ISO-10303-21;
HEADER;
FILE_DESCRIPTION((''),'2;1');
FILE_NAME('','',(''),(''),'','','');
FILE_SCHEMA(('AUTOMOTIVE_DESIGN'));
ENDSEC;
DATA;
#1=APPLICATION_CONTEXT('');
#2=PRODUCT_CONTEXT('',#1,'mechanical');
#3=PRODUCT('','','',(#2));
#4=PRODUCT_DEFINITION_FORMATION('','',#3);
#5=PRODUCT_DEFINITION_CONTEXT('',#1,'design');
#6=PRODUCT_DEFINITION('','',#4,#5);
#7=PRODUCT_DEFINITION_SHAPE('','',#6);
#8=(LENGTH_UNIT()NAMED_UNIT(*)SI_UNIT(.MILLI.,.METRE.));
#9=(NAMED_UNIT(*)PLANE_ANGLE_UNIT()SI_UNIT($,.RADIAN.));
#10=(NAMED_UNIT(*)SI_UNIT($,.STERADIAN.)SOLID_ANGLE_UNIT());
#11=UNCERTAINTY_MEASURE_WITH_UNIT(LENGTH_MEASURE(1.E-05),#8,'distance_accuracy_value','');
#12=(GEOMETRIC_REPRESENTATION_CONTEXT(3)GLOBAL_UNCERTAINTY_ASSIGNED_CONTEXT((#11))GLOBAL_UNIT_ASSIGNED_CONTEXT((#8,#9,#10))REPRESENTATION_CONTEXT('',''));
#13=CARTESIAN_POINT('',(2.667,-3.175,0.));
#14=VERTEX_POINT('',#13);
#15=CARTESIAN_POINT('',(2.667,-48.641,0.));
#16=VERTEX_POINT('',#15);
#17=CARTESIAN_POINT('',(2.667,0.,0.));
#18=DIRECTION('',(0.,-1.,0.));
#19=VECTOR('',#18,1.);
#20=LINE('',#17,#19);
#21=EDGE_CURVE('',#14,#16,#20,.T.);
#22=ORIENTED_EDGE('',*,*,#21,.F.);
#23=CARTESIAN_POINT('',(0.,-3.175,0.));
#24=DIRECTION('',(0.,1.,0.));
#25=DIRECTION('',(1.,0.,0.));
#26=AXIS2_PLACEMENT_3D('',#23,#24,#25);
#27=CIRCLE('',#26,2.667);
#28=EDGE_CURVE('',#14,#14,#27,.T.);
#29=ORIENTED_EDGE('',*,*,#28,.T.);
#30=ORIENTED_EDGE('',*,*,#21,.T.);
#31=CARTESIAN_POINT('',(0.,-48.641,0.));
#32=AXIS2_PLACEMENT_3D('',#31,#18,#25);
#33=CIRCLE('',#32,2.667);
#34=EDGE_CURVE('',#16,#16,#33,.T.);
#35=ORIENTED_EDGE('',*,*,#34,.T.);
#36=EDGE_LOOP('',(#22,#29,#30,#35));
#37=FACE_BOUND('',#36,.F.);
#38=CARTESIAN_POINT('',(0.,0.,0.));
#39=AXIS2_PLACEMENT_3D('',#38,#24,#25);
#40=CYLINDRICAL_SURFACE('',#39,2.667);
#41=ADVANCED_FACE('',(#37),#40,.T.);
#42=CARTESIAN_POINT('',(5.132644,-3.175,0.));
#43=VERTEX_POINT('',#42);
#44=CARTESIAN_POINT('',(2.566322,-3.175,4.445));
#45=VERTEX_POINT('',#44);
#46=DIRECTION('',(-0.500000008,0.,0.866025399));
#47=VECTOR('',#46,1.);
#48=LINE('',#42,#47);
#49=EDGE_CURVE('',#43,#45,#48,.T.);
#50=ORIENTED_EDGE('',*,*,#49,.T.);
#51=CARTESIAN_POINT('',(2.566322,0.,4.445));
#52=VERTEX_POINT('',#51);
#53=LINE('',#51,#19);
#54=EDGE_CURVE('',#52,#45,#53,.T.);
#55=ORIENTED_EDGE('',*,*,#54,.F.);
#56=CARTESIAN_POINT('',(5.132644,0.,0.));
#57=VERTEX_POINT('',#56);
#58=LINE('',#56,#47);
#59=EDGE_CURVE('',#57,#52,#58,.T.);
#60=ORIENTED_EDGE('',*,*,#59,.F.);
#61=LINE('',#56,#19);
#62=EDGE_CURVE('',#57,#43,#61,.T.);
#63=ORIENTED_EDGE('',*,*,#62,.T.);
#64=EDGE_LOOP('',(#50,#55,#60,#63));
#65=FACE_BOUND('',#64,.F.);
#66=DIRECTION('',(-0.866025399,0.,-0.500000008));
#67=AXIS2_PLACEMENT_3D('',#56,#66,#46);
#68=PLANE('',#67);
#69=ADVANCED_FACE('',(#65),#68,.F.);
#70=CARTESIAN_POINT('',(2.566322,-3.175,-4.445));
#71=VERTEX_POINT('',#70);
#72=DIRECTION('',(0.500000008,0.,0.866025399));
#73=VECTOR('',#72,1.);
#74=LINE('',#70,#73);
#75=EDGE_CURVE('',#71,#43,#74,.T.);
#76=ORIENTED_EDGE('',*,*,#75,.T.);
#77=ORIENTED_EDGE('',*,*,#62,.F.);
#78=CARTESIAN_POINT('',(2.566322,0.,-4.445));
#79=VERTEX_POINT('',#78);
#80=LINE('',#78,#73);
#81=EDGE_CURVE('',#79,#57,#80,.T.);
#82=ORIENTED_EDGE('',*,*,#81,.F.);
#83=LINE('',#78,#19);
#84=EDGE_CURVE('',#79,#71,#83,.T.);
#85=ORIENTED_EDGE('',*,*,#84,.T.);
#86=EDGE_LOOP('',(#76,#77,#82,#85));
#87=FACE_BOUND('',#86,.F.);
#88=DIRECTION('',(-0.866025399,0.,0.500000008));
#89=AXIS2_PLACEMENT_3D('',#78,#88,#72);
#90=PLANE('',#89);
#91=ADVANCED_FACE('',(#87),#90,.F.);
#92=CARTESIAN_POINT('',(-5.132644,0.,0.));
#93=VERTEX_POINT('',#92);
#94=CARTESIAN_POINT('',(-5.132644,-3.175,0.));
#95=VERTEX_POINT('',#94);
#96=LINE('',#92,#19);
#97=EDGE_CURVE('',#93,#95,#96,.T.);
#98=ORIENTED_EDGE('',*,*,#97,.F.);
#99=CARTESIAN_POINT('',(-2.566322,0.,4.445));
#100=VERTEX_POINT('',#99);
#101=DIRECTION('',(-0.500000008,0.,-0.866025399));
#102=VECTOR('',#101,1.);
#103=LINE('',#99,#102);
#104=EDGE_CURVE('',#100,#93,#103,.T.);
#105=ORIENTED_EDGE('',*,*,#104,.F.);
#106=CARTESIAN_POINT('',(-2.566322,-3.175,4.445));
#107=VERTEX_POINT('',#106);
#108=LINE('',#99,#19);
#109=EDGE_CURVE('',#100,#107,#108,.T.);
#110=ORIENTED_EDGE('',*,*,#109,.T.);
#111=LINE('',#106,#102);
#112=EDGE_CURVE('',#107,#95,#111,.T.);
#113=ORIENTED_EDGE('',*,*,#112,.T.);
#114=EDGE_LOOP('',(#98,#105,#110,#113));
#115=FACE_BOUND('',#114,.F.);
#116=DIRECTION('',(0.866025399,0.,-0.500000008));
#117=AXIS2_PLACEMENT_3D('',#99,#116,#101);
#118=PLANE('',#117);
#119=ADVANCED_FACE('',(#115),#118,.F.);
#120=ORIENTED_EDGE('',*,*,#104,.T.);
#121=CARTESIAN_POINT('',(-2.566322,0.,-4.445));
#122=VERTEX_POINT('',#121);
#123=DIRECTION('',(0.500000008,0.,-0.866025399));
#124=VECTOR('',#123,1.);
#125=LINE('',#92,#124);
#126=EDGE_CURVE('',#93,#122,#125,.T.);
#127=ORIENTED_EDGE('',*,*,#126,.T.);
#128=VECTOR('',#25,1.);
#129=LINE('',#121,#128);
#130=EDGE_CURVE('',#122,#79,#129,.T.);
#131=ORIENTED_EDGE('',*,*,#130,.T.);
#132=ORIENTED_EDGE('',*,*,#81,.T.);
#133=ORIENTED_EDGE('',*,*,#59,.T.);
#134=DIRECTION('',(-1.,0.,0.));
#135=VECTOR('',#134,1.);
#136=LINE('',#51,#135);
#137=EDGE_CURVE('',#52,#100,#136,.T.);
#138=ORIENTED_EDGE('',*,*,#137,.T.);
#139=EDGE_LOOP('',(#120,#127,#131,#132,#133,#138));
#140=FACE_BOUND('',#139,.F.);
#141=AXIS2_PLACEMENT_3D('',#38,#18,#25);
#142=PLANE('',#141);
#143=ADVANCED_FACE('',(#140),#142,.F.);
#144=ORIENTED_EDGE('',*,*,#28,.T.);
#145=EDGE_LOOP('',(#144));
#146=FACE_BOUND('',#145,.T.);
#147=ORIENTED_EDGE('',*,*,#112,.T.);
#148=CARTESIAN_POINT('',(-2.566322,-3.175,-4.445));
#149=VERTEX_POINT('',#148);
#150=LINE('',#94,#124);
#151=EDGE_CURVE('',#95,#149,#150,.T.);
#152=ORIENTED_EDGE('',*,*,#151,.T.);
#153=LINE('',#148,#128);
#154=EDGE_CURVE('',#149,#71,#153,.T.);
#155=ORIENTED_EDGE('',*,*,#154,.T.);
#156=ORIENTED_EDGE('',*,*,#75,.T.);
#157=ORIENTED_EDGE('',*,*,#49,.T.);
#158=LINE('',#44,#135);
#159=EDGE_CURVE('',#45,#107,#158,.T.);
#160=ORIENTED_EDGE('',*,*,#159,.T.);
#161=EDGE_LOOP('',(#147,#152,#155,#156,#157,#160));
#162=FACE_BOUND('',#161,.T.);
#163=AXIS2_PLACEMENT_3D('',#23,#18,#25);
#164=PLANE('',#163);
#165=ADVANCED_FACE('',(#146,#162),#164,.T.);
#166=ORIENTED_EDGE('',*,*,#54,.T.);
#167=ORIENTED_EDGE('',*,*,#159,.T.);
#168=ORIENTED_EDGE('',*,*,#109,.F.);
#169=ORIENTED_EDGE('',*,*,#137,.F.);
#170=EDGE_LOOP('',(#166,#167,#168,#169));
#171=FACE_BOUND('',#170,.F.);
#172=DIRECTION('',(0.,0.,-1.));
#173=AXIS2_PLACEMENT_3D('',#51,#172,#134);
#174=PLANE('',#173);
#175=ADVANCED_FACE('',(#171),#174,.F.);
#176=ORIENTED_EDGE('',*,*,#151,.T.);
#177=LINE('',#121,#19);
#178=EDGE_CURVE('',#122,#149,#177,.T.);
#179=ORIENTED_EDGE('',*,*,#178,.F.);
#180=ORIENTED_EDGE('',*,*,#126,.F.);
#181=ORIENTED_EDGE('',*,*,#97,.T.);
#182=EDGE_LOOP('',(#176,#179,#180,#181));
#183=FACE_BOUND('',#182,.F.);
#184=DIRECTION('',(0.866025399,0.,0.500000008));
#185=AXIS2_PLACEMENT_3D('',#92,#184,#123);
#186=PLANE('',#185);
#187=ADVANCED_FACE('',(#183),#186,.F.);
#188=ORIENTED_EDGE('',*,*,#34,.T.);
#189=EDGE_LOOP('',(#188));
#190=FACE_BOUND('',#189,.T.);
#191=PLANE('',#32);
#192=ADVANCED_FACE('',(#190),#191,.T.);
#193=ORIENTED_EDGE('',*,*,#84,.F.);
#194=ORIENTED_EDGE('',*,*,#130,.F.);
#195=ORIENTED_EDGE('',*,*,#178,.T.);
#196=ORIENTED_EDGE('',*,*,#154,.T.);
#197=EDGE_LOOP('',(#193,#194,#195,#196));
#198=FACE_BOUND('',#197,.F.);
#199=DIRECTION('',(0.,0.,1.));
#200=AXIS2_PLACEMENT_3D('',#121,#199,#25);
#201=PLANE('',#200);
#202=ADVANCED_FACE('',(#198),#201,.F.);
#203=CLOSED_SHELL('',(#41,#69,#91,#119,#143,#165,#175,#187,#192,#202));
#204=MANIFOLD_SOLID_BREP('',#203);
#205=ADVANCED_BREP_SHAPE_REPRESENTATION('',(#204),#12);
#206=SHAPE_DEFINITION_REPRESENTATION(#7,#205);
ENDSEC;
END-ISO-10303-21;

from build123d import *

# Parameters (mm, degrees)
F0_R     = 2.667
F1_DEPTH = 3.175
F2_DEPTH = 48.641


with BuildPart() as f1:
    # F0 (on Front) → F1 (new body)
    with BuildSketch(Plane.XZ):
        Polygon((2.566322, 4.445), (-2.566322, 4.445), (-5.132644, 0), (-2.566322, -4.445), (2.566322, -4.445), (5.132644, 0), align=None)
        Circle(F0_R, mode=Mode.SUBTRACT)
        Circle(F0_R)
    extrude(amount=F1_DEPTH)

    # F0 (on Front) → F2 (join)
    with BuildSketch(Plane.XZ):
        Circle(F0_R)
    extrude(amount=F2_DEPTH)


solid = f1.part
